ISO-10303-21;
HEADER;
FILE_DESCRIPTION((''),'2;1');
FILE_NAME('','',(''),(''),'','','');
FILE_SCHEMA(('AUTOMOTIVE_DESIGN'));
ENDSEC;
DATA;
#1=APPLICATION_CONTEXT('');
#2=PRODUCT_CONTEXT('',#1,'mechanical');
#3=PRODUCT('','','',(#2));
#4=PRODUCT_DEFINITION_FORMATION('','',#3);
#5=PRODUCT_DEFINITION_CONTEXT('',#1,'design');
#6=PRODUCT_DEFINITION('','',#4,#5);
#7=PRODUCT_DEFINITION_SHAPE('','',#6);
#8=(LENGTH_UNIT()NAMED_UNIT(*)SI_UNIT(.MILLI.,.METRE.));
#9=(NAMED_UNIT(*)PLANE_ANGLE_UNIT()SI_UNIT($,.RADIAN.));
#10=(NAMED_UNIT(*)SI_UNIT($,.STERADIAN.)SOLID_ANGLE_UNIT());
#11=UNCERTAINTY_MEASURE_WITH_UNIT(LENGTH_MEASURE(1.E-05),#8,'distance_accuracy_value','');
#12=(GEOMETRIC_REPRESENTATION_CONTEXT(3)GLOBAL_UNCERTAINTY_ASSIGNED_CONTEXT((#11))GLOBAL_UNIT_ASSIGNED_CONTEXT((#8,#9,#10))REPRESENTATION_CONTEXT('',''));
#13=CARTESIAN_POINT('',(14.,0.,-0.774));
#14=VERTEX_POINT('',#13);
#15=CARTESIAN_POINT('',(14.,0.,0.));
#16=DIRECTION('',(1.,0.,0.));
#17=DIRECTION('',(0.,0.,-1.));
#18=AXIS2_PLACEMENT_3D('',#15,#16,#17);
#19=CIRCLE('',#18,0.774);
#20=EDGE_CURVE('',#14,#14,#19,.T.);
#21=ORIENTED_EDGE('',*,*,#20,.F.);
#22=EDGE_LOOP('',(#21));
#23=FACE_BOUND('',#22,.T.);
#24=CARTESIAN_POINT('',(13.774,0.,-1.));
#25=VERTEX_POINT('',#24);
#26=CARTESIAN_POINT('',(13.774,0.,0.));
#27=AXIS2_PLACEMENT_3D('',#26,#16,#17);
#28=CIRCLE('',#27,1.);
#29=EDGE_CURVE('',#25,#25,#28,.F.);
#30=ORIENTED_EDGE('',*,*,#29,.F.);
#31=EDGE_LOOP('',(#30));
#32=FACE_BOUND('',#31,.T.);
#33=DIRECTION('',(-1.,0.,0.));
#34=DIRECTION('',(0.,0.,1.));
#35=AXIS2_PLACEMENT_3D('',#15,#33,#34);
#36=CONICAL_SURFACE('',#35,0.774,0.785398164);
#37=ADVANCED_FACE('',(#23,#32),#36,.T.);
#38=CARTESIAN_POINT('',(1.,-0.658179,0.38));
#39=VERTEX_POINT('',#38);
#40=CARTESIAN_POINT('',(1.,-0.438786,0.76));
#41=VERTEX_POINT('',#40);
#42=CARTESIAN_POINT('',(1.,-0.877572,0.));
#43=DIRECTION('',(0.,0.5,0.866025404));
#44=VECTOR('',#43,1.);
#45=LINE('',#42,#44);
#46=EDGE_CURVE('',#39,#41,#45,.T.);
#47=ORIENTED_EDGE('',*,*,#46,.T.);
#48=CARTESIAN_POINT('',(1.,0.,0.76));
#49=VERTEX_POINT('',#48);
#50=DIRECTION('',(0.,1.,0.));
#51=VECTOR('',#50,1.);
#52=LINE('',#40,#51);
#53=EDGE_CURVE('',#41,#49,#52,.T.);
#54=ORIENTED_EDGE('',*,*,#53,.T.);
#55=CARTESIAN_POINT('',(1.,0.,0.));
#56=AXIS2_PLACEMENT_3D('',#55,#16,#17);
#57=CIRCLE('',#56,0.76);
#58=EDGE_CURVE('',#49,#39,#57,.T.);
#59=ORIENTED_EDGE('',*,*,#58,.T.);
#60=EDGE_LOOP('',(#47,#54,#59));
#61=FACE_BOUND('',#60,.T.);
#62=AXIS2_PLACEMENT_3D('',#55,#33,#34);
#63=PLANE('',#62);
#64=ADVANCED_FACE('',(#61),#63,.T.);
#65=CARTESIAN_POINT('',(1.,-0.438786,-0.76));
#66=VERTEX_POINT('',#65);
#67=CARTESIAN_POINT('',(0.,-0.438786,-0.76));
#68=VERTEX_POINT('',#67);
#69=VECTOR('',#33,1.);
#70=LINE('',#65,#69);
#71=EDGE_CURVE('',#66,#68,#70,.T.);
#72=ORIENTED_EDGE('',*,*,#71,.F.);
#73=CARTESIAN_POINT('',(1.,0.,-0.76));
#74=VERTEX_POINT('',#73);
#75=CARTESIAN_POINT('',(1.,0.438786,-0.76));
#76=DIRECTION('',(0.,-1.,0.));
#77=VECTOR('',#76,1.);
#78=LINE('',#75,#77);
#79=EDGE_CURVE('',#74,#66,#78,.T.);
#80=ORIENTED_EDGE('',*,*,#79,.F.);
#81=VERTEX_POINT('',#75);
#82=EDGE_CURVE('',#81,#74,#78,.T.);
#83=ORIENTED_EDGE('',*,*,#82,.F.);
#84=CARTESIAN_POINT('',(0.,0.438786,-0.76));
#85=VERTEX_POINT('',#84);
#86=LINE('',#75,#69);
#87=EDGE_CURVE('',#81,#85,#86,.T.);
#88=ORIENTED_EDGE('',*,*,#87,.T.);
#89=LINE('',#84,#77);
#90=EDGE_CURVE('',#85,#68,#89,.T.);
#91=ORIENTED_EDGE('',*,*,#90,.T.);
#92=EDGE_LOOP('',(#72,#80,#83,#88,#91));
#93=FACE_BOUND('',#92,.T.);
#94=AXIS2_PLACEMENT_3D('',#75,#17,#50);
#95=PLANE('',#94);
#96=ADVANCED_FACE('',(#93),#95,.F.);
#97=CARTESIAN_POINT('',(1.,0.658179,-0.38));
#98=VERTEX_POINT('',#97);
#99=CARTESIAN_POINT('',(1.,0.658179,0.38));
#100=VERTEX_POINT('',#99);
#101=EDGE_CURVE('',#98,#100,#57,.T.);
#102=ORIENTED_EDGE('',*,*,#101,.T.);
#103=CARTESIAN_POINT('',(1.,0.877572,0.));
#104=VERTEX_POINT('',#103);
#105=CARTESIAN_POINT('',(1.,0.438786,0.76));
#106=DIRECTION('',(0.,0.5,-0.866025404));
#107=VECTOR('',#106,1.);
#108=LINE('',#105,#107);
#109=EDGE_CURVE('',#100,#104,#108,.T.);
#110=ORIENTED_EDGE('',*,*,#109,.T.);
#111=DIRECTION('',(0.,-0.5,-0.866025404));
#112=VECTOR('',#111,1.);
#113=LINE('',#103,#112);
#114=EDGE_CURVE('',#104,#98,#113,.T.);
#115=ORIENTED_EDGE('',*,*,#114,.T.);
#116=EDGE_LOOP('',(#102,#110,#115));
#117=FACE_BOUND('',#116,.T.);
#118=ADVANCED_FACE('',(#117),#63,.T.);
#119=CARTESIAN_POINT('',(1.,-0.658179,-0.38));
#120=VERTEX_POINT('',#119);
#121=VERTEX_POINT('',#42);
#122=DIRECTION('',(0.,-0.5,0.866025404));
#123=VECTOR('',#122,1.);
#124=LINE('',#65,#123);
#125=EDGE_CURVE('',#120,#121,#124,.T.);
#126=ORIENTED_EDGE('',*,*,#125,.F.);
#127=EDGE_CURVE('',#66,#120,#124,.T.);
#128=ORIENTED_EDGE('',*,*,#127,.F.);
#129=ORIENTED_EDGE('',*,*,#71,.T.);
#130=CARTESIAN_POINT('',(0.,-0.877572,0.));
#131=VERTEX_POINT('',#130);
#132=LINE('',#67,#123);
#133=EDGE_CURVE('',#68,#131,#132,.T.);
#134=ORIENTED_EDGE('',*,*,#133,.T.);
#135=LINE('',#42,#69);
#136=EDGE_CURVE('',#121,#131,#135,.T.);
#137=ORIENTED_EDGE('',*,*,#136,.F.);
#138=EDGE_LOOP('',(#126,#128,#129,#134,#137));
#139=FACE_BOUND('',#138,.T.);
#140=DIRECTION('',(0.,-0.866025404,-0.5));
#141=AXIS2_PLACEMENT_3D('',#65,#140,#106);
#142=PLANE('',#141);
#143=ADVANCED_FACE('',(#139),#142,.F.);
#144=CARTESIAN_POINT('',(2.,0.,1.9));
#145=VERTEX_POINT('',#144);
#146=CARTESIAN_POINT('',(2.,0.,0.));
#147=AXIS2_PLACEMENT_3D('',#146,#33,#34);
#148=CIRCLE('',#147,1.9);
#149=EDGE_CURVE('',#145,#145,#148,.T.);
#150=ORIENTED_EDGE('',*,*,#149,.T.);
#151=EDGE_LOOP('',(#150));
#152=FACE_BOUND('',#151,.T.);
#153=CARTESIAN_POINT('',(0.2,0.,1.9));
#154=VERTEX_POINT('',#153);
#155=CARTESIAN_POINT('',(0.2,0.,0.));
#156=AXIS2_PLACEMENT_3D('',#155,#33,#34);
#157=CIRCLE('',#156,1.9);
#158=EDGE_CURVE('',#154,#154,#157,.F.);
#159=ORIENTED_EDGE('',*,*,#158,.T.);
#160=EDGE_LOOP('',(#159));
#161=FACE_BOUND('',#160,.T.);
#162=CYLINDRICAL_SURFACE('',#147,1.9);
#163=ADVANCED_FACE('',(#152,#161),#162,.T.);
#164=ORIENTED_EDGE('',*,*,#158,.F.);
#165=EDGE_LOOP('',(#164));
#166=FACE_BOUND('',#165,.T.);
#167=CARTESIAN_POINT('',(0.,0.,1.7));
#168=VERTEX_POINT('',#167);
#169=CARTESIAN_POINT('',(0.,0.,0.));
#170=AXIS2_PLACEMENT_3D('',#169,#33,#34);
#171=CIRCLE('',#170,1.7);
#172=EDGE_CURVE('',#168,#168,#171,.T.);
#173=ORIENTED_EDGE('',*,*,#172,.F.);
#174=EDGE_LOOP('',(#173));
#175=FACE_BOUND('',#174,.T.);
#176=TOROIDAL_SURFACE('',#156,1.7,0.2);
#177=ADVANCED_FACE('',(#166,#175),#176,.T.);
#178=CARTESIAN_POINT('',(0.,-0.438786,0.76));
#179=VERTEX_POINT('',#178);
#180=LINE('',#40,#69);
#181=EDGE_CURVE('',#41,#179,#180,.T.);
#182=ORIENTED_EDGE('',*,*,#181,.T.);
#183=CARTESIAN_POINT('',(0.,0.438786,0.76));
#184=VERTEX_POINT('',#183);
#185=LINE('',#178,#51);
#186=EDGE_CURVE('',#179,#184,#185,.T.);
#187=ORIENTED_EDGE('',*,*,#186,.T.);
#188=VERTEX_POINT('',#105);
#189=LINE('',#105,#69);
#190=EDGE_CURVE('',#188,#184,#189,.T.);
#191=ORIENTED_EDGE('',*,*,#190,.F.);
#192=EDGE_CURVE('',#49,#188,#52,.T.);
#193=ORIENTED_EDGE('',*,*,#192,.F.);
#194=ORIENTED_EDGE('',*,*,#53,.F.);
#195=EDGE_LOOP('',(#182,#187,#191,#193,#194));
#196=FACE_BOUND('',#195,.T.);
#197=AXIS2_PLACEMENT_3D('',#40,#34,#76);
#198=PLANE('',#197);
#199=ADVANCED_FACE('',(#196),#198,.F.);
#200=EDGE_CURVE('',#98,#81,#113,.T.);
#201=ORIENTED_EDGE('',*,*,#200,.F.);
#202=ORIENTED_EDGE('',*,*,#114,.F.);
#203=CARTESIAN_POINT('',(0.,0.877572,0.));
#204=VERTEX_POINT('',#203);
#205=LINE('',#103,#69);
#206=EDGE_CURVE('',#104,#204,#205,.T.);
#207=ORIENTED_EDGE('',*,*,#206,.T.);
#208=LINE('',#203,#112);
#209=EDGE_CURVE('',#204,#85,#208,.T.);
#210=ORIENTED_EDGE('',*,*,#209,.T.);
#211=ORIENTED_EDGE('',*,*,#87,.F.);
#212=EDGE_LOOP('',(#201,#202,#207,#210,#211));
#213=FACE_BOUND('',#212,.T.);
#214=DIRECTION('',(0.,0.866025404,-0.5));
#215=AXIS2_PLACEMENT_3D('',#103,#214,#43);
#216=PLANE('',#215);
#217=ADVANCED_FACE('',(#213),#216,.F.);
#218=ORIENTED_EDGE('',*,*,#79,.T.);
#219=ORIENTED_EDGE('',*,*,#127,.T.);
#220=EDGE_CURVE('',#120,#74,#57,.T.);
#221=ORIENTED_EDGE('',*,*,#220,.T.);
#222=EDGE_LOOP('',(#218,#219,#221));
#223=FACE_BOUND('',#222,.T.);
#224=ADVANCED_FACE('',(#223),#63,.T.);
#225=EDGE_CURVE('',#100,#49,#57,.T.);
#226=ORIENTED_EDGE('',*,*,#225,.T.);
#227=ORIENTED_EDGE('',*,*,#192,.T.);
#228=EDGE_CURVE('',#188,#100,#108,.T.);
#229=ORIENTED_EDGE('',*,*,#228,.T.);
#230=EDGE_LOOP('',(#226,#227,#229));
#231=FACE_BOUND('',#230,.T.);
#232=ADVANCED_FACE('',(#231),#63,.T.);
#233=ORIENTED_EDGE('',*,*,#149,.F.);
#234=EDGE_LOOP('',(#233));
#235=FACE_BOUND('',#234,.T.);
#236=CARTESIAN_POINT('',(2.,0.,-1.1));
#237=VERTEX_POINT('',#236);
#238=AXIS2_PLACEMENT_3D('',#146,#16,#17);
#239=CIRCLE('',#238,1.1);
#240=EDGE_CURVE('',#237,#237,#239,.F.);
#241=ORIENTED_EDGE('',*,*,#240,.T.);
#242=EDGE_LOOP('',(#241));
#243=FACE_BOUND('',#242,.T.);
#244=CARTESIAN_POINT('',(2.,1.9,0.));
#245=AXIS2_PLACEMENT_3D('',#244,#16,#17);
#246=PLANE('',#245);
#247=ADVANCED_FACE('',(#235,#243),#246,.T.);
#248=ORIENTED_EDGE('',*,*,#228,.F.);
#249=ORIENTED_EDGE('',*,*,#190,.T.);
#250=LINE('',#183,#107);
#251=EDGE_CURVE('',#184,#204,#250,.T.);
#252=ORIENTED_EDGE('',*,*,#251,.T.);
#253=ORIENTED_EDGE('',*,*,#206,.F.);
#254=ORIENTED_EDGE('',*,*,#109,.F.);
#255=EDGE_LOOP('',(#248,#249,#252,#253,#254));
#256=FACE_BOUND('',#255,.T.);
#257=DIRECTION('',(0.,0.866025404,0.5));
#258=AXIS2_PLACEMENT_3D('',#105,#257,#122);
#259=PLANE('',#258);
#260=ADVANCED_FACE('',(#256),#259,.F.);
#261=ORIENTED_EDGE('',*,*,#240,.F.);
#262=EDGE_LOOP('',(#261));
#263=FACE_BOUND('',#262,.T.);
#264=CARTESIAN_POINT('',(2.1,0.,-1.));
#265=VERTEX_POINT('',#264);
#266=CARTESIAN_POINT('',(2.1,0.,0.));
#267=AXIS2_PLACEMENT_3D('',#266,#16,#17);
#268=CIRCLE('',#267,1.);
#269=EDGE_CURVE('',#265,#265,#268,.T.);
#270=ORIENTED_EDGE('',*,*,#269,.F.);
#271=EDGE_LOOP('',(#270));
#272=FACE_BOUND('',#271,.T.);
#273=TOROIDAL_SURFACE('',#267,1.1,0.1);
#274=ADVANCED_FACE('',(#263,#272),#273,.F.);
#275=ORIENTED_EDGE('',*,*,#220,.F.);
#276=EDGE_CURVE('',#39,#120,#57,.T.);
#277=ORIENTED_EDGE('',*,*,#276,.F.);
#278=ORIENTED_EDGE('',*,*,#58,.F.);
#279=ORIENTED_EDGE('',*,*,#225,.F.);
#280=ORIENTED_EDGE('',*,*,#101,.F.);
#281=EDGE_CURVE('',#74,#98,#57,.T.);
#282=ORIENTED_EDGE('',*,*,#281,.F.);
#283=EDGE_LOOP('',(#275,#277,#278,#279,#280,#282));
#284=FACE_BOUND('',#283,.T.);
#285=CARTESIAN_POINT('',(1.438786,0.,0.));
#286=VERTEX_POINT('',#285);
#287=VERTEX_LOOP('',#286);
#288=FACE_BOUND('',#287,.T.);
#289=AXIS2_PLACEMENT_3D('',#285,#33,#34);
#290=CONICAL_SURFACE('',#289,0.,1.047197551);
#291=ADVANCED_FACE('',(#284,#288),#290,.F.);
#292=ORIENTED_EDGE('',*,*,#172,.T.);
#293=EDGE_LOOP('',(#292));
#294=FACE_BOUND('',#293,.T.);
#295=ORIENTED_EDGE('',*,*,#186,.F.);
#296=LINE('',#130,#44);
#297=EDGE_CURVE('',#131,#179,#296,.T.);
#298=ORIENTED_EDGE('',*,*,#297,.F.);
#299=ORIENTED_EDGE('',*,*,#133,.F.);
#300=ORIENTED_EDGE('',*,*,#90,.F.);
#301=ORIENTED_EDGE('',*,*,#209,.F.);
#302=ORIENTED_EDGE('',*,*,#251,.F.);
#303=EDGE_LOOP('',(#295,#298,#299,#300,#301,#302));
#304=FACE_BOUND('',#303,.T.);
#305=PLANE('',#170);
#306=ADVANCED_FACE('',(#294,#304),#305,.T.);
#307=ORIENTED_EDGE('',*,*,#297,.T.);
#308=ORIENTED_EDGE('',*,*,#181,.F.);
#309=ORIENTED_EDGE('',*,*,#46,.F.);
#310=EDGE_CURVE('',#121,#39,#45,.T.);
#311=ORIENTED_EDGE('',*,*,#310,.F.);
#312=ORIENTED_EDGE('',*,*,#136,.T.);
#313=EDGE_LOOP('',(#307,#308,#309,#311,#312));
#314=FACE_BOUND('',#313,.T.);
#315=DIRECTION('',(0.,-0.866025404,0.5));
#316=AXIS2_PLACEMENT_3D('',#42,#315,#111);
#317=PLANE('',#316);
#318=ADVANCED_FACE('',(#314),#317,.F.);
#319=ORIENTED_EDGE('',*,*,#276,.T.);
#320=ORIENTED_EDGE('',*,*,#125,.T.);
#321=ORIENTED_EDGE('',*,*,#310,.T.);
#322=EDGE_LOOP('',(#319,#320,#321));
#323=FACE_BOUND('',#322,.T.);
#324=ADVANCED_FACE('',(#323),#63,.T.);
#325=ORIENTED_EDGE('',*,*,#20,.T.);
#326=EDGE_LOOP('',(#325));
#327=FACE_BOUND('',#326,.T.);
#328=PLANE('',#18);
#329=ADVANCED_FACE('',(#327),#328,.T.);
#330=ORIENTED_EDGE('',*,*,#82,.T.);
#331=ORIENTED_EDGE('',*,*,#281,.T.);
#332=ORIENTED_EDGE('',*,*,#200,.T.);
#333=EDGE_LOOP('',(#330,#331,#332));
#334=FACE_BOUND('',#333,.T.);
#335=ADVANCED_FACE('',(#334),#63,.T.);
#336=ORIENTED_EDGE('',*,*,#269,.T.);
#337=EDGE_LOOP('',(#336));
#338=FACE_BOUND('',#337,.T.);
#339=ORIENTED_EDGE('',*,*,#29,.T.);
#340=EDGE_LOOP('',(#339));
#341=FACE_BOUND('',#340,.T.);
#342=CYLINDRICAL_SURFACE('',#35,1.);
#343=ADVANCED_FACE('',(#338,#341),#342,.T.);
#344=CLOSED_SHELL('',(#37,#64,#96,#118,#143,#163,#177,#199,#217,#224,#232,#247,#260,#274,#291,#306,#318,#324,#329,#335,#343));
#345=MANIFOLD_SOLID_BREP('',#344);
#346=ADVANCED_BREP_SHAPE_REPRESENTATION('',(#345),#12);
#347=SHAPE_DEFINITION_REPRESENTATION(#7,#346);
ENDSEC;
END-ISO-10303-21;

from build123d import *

# Parameters (mm, degrees)
SKETCH_1_W          = 2
SKETCH_1_H          = 1.9
SKETCH_2_R          = 1
EXTRUDE_1_DEPTH     = 12
CUT_EXTRUDE_1_DEPTH = 1
CHAMFER_1_SIZE      = 0.226
FILLET_1_R          = 0.1
FILLET_2_R          = 0.2


with BuildPart() as part:
    # Эскиз1 → Повернуть1 (revolve)
    with BuildSketch(Plane(origin=(0, 0, 0), x_dir=(-1, 0, 0), z_dir=(0, 0, -1)), mode=Mode.PRIVATE) as revolve_1_sk:
        with Locations((-1, 0.95)):
            Rectangle(SKETCH_1_W, SKETCH_1_H)
    revolve(revolve_1_sk.sketch.rotate(Axis((2, 0, 0), (-1, 0, 0)), 270), axis=Axis((2, 0, 0), (-1, 0, 0)))

    # Эскиз2 → Бобышка-Вытянуть1 (add)
    with BuildSketch(Plane(origin=(2, 0, 0), x_dir=(0, 0, -1), z_dir=(1, 0, 0))):
        Circle(SKETCH_2_R)
    extrude(amount=EXTRUDE_1_DEPTH)

    # Эскиз3 → Вырез-Вытянуть1 (cut)
    with BuildSketch(Plane.ZY):
        Polygon((-0.76, -0.438786205), (0, -0.877572409), (0.76, -0.438786205), (0.76, 0.438786205), (0, 0.877572409), (-0.76, 0.438786205), align=None)
    extrude(amount=-CUT_EXTRUDE_1_DEPTH, mode=Mode.SUBTRACT)

    # Эскиз4 → Вырез-Повернуть1 (revolve, cut)
    with BuildSketch(Plane.XY, mode=Mode.PRIVATE) as cut_revolve_1_sk:
        Polygon((1, 0.76), (1, 0), (1.438786205, 0), align=None)
    revolve(cut_revolve_1_sk.sketch.rotate(Axis((0.999975, 0, 0), (1, 0, 0)), 90), axis=Axis((0.999975, 0, 0), (1, 0, 0)), mode=Mode.SUBTRACT)

    # Фаска1
    chamfer_1_edges = [part.edges().sort_by_distance(p)[0] for p in [
        (14, 0, 1),
    ]]
    chamfer(chamfer_1_edges, length=CHAMFER_1_SIZE)

    # Скругление1
    fillet_1_edges = [part.edges().sort_by_distance(p)[0] for p in [
        (2, 0, 1),
    ]]
    fillet(fillet_1_edges, radius=FILLET_1_R)

    # Скругление2
    fillet_2_edges = [part.edges().sort_by_distance(p)[0] for p in [
        (0, 0, -1.9),
    ]]
    fillet(fillet_2_edges, radius=FILLET_2_R)


solid = part.part
